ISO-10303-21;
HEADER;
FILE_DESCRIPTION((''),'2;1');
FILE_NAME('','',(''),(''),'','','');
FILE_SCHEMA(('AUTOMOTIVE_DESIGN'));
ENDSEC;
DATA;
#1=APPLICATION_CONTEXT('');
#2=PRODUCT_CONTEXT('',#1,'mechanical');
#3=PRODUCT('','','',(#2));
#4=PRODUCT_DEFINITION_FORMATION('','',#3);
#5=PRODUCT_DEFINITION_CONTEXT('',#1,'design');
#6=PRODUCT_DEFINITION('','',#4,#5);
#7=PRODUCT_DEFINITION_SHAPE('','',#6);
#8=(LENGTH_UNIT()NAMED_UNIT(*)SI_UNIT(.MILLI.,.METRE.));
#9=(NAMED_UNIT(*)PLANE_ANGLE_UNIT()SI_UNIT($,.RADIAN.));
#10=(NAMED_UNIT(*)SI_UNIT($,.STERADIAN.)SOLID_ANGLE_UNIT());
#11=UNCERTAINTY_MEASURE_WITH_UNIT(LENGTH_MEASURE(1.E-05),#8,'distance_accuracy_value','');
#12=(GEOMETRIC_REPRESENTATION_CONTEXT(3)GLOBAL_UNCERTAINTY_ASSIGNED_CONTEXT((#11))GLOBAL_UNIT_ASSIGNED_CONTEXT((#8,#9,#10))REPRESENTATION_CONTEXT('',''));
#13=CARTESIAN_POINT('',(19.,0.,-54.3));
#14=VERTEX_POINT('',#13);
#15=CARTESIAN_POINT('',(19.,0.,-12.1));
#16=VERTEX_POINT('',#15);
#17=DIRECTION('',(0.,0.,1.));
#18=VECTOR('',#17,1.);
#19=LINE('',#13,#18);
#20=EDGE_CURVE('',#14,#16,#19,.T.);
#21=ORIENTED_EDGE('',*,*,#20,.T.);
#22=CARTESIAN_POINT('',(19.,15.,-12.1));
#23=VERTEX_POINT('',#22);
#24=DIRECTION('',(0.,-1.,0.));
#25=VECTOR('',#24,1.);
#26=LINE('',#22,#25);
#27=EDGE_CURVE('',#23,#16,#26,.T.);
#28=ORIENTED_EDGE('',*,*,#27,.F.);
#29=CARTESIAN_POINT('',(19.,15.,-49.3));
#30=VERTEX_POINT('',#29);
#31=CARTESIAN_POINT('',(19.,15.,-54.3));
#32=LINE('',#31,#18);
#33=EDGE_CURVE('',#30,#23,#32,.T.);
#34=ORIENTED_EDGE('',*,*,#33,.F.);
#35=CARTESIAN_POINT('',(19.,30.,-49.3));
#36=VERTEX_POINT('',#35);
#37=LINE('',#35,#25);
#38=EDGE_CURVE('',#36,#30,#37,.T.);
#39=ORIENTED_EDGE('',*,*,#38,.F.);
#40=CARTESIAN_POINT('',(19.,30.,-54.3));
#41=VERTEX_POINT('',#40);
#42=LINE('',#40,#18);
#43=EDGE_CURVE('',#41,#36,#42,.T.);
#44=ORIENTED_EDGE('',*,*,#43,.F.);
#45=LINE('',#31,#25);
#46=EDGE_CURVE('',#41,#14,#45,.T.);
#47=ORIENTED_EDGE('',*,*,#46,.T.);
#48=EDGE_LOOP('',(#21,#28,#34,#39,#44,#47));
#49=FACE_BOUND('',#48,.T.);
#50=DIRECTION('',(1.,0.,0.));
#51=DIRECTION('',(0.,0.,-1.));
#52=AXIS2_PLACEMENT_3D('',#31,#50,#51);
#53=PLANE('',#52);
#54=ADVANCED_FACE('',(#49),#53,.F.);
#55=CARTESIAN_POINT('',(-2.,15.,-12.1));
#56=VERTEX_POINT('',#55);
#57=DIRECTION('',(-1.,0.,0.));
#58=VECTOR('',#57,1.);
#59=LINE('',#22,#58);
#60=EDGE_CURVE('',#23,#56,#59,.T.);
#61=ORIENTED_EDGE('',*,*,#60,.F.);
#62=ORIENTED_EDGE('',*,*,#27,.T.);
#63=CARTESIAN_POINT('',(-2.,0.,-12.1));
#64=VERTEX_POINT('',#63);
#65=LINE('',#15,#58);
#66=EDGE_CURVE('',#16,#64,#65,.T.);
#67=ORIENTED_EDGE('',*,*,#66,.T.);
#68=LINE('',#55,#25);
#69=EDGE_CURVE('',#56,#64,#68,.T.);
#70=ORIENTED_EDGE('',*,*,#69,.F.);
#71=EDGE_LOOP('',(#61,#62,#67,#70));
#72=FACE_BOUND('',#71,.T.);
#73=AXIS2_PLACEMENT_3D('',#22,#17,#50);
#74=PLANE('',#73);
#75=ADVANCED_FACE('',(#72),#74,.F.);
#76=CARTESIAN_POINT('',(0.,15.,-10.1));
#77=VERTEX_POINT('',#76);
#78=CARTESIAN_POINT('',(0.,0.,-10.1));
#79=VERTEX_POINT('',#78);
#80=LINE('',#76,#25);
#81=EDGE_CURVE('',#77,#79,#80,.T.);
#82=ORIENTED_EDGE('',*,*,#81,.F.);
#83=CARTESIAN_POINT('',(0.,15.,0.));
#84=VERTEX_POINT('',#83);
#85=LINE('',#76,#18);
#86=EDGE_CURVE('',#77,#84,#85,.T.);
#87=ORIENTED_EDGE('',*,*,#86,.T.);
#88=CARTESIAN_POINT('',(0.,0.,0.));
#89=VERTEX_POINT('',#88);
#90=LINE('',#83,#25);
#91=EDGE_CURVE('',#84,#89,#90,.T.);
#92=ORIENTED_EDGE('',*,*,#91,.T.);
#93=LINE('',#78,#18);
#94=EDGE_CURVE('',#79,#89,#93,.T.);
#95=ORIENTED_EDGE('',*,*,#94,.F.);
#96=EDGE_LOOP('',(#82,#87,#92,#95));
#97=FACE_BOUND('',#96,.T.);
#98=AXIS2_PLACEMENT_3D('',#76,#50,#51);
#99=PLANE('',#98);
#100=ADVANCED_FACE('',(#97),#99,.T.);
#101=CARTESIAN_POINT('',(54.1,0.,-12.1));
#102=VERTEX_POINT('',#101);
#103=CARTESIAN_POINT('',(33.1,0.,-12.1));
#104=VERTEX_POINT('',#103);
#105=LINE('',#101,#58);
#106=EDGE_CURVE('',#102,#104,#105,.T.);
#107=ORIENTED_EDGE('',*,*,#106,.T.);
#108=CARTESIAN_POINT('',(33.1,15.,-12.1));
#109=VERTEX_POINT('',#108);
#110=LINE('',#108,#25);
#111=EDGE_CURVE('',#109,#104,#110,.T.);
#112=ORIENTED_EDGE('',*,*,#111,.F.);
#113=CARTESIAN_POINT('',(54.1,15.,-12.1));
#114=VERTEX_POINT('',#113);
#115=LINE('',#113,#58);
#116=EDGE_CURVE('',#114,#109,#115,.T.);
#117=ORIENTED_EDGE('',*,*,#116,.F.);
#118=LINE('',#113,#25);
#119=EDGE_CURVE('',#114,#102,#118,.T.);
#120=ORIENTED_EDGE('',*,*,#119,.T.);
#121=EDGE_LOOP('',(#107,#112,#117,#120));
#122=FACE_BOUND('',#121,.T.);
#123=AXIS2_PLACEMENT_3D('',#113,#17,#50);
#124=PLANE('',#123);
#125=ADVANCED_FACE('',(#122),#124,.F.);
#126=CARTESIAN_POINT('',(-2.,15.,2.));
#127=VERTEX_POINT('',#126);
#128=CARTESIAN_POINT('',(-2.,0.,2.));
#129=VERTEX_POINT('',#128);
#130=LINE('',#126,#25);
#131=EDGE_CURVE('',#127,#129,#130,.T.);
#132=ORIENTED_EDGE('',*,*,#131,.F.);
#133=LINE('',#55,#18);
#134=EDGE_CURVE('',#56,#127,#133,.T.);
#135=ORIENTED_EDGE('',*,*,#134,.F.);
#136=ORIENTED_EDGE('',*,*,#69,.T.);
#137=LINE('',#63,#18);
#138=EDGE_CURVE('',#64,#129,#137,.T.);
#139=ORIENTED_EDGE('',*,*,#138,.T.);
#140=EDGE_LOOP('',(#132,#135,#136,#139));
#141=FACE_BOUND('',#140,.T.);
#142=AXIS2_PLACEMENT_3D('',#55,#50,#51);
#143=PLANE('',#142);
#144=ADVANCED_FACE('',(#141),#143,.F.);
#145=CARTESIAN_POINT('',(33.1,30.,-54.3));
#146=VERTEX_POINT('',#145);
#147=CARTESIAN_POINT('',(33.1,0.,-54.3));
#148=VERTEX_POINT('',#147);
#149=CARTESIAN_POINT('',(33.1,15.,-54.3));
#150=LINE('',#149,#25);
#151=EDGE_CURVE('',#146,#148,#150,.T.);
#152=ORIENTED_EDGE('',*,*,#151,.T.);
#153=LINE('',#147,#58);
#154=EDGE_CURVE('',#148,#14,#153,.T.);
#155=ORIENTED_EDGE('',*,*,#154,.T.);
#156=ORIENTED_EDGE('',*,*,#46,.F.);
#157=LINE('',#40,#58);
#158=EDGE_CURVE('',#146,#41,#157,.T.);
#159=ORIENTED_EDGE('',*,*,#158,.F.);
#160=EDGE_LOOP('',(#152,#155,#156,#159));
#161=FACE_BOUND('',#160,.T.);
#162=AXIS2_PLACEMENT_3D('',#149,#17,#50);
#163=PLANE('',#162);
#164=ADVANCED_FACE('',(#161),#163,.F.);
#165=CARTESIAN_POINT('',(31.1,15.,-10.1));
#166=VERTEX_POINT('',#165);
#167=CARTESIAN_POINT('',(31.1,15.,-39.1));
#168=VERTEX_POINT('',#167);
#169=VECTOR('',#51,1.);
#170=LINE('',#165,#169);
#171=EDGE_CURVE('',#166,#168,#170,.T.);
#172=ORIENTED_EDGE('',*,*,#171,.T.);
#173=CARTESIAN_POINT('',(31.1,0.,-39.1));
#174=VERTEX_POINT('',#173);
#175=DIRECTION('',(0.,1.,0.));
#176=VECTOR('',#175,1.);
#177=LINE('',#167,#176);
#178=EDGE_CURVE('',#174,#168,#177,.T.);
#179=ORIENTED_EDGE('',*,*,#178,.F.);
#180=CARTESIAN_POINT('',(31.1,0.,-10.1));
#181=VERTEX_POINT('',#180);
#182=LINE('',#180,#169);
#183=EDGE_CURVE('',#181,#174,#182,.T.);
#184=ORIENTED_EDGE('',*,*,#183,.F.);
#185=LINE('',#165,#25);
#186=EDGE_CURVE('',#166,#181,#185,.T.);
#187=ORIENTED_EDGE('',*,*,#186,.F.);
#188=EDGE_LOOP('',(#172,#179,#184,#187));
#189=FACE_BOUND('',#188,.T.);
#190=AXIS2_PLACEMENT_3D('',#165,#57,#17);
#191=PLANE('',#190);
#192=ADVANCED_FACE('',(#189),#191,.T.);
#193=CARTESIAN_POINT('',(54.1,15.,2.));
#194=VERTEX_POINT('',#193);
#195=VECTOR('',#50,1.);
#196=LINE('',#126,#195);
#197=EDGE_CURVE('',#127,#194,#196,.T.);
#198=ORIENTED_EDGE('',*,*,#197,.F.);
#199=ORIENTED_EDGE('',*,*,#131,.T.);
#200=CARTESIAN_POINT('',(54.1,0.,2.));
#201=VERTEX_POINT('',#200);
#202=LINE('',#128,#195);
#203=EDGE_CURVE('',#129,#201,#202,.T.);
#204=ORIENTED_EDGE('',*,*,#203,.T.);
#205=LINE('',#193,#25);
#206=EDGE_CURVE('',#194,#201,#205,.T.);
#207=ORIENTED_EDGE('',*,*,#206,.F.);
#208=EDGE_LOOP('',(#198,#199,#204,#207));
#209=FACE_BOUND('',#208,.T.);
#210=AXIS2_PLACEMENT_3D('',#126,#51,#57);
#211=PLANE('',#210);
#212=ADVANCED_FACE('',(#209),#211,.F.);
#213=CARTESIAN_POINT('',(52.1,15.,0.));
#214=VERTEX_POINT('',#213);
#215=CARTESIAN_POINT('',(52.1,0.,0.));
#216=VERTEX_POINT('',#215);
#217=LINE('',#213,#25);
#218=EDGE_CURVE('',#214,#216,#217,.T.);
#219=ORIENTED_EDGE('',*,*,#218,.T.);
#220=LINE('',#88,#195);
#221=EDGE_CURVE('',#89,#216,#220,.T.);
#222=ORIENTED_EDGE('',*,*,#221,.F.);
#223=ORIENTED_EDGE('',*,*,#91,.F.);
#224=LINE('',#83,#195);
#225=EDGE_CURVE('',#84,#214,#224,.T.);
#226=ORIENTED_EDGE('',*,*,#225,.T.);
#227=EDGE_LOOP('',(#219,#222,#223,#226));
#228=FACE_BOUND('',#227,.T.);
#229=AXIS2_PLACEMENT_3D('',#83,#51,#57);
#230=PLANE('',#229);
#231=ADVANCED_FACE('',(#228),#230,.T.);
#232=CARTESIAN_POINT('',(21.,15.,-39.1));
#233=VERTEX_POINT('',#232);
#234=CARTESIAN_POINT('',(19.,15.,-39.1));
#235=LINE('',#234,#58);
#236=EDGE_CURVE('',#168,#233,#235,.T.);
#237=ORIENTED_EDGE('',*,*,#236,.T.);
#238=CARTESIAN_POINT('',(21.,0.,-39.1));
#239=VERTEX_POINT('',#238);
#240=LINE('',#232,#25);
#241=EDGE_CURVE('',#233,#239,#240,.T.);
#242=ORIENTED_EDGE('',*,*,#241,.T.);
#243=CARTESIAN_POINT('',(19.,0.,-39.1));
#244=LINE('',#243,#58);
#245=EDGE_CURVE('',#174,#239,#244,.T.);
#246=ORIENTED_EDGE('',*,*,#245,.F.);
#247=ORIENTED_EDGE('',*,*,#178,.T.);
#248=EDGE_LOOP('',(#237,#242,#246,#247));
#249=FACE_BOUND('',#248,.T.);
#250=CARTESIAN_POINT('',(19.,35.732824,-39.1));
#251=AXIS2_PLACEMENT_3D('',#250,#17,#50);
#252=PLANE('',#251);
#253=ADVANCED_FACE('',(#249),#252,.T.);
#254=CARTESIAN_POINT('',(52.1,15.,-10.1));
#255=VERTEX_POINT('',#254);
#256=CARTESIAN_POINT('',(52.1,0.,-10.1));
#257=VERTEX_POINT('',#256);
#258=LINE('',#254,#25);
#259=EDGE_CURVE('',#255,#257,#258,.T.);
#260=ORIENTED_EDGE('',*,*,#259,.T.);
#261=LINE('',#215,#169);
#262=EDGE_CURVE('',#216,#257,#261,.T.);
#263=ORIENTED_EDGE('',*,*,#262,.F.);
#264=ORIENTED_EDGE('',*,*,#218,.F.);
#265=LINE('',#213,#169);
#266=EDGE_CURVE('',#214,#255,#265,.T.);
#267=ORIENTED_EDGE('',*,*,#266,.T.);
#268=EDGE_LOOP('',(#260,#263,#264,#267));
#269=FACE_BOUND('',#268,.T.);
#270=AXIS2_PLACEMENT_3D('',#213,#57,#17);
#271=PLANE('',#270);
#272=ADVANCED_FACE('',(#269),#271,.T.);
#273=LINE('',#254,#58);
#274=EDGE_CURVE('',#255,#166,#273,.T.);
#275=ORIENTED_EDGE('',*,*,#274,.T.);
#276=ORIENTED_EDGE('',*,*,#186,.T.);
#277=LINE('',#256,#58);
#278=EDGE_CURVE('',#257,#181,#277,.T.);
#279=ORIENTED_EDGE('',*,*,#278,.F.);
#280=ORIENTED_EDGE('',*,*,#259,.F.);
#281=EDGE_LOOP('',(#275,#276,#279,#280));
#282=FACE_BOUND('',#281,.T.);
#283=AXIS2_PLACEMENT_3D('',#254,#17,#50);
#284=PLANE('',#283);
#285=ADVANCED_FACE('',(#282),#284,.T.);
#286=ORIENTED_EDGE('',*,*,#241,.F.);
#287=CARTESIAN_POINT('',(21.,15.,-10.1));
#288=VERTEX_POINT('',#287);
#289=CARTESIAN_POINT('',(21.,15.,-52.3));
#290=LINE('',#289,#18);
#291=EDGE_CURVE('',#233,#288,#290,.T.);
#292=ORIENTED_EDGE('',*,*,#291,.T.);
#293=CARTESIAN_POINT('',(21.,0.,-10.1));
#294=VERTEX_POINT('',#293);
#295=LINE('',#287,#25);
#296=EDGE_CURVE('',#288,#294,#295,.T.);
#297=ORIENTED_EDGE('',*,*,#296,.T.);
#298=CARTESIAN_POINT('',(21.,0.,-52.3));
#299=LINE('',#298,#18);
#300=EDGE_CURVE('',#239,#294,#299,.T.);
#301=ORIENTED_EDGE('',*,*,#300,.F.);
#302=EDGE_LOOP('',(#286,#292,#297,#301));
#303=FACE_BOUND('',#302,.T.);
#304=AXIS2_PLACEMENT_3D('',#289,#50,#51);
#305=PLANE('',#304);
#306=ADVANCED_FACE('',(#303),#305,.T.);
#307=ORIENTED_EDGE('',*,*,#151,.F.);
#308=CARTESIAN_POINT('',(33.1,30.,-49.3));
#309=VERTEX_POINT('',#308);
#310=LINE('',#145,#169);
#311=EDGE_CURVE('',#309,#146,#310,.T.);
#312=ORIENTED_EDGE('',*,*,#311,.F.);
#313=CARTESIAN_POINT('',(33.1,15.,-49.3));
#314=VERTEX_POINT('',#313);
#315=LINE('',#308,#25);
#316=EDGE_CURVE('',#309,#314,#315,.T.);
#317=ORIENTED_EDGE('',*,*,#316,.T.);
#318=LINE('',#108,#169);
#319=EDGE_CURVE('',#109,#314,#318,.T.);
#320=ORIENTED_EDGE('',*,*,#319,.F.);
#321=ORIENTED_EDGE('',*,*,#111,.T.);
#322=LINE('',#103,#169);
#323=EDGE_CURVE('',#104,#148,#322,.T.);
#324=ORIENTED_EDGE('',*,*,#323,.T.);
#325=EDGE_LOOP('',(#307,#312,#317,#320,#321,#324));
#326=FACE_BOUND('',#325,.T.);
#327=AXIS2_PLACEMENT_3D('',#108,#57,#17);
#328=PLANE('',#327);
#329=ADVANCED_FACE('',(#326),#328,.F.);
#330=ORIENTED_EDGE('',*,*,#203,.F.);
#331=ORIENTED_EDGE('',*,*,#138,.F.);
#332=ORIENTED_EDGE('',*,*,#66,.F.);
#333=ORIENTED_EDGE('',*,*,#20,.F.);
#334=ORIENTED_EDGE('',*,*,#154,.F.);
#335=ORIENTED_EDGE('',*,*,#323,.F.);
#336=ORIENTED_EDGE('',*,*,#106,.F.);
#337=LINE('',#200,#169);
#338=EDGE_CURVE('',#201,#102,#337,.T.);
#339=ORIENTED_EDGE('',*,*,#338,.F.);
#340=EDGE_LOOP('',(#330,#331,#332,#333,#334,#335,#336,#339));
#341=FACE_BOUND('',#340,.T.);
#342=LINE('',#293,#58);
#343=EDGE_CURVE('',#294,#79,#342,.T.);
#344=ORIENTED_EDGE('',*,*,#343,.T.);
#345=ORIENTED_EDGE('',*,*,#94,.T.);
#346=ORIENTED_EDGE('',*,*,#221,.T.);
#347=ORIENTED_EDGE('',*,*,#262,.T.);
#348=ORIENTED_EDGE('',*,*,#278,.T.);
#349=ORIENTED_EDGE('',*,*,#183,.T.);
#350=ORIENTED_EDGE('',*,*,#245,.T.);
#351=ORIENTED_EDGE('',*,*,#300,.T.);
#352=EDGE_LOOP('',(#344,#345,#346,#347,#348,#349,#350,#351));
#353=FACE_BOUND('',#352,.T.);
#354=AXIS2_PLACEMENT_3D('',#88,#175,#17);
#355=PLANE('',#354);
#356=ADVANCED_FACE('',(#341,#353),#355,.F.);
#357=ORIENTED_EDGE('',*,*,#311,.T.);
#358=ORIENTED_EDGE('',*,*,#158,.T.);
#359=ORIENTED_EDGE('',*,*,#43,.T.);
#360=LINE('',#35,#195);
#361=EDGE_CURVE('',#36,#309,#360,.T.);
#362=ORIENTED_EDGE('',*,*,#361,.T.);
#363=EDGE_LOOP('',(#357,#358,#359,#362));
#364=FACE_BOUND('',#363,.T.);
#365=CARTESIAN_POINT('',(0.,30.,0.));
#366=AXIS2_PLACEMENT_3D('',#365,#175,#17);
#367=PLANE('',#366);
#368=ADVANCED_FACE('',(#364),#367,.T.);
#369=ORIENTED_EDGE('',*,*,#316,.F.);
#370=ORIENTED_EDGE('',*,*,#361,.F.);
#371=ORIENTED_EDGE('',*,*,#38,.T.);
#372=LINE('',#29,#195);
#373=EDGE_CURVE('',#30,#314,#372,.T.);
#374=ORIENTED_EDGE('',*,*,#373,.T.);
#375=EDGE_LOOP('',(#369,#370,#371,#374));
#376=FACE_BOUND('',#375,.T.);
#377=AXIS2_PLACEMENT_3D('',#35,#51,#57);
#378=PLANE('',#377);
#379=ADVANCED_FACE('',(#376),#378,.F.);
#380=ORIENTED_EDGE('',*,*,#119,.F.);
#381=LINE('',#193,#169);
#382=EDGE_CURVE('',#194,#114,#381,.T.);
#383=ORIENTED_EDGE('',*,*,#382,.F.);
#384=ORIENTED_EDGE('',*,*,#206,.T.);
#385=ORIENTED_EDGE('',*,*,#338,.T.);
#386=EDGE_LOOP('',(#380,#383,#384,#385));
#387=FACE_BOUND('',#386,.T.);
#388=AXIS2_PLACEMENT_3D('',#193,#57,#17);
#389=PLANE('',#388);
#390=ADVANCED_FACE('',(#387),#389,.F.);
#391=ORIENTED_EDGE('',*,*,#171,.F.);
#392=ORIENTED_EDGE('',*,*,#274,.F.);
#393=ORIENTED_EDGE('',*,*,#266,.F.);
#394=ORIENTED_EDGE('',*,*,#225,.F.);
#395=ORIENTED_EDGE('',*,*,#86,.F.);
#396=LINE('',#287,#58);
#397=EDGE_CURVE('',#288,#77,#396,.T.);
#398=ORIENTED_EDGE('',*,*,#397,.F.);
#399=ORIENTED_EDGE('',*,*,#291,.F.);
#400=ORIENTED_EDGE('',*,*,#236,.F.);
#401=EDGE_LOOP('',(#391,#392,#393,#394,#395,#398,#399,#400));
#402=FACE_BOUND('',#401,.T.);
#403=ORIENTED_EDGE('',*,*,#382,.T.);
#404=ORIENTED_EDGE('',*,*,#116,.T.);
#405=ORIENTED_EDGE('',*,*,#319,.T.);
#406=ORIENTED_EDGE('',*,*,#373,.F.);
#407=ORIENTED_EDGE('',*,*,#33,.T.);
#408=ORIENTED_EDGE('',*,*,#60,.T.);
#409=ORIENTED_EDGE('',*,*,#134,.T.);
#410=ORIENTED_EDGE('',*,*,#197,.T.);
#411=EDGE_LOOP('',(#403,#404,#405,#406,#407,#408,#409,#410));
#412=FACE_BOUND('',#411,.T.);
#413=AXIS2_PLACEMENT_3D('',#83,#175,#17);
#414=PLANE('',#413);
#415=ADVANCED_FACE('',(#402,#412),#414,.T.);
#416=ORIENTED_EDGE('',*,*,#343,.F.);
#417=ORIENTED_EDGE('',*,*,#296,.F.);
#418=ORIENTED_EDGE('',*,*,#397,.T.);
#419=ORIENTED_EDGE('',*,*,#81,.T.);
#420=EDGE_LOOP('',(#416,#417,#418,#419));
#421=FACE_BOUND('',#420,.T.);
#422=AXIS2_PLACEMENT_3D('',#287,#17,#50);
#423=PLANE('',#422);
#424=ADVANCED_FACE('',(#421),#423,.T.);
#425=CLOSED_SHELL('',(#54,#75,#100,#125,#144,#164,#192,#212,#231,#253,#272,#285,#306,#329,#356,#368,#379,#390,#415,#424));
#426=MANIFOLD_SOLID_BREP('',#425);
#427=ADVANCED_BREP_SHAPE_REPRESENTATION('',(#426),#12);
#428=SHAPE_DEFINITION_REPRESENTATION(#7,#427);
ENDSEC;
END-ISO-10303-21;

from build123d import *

# Parameters (mm, degrees)
AUFSATZ_LINEAR_AUSTRAGEN1_DEPTH = 15
SKIZZE2_W                       = 14.1
SKIZZE2_H                       = 5
AUFSATZ_LINEAR_AUSTRAGEN2_DEPTH = 15
SKIZZE3_W                       = 14.1
SKIZZE3_H                       = 15.2
AUFSATZ_LINEAR_AUSTRAGEN3_DEPTH = 15


with BuildPart() as part:
    # Skizze1 → Aufsatz-Linear austragen1 (new body)
    with BuildSketch(Plane(origin=(0, 0, 0), x_dir=(1, 0, 0), z_dir=(0, 1, 0))):
        Polygon((-2, 12.1), (-2, -2), (54.1, -2), (54.1, 12.1), (33.1, 12.1), (33.1, 54.3), (19, 54.3), (19, 12.1), align=None)
        Polygon((0, 0), (52.1, 0), (52.1, 10.1), (31.1, 10.1), (31.1, 52.3), (21, 52.3), (21, 10.1), (0, 10.1), align=None, mode=Mode.SUBTRACT)
    extrude(amount=AUFSATZ_LINEAR_AUSTRAGEN1_DEPTH)

    # Skizze2 → Aufsatz-Linear austragen2 (add)
    with BuildSketch(Plane(origin=(0, 15, 0), x_dir=(1, 0, 0), z_dir=(0, 1, 0))):
        with Locations((26.05, 51.8)):
            Rectangle(SKIZZE2_W, SKIZZE2_H)
    extrude(amount=AUFSATZ_LINEAR_AUSTRAGEN2_DEPTH)

    # Skizze3 → Aufsatz-Linear austragen3 (add)
    with BuildSketch(Plane.XZ):
        with Locations((26.05, -46.7)):
            Rectangle(SKIZZE3_W, SKIZZE3_H)
    extrude(amount=-AUFSATZ_LINEAR_AUSTRAGEN3_DEPTH)


solid = part.part
